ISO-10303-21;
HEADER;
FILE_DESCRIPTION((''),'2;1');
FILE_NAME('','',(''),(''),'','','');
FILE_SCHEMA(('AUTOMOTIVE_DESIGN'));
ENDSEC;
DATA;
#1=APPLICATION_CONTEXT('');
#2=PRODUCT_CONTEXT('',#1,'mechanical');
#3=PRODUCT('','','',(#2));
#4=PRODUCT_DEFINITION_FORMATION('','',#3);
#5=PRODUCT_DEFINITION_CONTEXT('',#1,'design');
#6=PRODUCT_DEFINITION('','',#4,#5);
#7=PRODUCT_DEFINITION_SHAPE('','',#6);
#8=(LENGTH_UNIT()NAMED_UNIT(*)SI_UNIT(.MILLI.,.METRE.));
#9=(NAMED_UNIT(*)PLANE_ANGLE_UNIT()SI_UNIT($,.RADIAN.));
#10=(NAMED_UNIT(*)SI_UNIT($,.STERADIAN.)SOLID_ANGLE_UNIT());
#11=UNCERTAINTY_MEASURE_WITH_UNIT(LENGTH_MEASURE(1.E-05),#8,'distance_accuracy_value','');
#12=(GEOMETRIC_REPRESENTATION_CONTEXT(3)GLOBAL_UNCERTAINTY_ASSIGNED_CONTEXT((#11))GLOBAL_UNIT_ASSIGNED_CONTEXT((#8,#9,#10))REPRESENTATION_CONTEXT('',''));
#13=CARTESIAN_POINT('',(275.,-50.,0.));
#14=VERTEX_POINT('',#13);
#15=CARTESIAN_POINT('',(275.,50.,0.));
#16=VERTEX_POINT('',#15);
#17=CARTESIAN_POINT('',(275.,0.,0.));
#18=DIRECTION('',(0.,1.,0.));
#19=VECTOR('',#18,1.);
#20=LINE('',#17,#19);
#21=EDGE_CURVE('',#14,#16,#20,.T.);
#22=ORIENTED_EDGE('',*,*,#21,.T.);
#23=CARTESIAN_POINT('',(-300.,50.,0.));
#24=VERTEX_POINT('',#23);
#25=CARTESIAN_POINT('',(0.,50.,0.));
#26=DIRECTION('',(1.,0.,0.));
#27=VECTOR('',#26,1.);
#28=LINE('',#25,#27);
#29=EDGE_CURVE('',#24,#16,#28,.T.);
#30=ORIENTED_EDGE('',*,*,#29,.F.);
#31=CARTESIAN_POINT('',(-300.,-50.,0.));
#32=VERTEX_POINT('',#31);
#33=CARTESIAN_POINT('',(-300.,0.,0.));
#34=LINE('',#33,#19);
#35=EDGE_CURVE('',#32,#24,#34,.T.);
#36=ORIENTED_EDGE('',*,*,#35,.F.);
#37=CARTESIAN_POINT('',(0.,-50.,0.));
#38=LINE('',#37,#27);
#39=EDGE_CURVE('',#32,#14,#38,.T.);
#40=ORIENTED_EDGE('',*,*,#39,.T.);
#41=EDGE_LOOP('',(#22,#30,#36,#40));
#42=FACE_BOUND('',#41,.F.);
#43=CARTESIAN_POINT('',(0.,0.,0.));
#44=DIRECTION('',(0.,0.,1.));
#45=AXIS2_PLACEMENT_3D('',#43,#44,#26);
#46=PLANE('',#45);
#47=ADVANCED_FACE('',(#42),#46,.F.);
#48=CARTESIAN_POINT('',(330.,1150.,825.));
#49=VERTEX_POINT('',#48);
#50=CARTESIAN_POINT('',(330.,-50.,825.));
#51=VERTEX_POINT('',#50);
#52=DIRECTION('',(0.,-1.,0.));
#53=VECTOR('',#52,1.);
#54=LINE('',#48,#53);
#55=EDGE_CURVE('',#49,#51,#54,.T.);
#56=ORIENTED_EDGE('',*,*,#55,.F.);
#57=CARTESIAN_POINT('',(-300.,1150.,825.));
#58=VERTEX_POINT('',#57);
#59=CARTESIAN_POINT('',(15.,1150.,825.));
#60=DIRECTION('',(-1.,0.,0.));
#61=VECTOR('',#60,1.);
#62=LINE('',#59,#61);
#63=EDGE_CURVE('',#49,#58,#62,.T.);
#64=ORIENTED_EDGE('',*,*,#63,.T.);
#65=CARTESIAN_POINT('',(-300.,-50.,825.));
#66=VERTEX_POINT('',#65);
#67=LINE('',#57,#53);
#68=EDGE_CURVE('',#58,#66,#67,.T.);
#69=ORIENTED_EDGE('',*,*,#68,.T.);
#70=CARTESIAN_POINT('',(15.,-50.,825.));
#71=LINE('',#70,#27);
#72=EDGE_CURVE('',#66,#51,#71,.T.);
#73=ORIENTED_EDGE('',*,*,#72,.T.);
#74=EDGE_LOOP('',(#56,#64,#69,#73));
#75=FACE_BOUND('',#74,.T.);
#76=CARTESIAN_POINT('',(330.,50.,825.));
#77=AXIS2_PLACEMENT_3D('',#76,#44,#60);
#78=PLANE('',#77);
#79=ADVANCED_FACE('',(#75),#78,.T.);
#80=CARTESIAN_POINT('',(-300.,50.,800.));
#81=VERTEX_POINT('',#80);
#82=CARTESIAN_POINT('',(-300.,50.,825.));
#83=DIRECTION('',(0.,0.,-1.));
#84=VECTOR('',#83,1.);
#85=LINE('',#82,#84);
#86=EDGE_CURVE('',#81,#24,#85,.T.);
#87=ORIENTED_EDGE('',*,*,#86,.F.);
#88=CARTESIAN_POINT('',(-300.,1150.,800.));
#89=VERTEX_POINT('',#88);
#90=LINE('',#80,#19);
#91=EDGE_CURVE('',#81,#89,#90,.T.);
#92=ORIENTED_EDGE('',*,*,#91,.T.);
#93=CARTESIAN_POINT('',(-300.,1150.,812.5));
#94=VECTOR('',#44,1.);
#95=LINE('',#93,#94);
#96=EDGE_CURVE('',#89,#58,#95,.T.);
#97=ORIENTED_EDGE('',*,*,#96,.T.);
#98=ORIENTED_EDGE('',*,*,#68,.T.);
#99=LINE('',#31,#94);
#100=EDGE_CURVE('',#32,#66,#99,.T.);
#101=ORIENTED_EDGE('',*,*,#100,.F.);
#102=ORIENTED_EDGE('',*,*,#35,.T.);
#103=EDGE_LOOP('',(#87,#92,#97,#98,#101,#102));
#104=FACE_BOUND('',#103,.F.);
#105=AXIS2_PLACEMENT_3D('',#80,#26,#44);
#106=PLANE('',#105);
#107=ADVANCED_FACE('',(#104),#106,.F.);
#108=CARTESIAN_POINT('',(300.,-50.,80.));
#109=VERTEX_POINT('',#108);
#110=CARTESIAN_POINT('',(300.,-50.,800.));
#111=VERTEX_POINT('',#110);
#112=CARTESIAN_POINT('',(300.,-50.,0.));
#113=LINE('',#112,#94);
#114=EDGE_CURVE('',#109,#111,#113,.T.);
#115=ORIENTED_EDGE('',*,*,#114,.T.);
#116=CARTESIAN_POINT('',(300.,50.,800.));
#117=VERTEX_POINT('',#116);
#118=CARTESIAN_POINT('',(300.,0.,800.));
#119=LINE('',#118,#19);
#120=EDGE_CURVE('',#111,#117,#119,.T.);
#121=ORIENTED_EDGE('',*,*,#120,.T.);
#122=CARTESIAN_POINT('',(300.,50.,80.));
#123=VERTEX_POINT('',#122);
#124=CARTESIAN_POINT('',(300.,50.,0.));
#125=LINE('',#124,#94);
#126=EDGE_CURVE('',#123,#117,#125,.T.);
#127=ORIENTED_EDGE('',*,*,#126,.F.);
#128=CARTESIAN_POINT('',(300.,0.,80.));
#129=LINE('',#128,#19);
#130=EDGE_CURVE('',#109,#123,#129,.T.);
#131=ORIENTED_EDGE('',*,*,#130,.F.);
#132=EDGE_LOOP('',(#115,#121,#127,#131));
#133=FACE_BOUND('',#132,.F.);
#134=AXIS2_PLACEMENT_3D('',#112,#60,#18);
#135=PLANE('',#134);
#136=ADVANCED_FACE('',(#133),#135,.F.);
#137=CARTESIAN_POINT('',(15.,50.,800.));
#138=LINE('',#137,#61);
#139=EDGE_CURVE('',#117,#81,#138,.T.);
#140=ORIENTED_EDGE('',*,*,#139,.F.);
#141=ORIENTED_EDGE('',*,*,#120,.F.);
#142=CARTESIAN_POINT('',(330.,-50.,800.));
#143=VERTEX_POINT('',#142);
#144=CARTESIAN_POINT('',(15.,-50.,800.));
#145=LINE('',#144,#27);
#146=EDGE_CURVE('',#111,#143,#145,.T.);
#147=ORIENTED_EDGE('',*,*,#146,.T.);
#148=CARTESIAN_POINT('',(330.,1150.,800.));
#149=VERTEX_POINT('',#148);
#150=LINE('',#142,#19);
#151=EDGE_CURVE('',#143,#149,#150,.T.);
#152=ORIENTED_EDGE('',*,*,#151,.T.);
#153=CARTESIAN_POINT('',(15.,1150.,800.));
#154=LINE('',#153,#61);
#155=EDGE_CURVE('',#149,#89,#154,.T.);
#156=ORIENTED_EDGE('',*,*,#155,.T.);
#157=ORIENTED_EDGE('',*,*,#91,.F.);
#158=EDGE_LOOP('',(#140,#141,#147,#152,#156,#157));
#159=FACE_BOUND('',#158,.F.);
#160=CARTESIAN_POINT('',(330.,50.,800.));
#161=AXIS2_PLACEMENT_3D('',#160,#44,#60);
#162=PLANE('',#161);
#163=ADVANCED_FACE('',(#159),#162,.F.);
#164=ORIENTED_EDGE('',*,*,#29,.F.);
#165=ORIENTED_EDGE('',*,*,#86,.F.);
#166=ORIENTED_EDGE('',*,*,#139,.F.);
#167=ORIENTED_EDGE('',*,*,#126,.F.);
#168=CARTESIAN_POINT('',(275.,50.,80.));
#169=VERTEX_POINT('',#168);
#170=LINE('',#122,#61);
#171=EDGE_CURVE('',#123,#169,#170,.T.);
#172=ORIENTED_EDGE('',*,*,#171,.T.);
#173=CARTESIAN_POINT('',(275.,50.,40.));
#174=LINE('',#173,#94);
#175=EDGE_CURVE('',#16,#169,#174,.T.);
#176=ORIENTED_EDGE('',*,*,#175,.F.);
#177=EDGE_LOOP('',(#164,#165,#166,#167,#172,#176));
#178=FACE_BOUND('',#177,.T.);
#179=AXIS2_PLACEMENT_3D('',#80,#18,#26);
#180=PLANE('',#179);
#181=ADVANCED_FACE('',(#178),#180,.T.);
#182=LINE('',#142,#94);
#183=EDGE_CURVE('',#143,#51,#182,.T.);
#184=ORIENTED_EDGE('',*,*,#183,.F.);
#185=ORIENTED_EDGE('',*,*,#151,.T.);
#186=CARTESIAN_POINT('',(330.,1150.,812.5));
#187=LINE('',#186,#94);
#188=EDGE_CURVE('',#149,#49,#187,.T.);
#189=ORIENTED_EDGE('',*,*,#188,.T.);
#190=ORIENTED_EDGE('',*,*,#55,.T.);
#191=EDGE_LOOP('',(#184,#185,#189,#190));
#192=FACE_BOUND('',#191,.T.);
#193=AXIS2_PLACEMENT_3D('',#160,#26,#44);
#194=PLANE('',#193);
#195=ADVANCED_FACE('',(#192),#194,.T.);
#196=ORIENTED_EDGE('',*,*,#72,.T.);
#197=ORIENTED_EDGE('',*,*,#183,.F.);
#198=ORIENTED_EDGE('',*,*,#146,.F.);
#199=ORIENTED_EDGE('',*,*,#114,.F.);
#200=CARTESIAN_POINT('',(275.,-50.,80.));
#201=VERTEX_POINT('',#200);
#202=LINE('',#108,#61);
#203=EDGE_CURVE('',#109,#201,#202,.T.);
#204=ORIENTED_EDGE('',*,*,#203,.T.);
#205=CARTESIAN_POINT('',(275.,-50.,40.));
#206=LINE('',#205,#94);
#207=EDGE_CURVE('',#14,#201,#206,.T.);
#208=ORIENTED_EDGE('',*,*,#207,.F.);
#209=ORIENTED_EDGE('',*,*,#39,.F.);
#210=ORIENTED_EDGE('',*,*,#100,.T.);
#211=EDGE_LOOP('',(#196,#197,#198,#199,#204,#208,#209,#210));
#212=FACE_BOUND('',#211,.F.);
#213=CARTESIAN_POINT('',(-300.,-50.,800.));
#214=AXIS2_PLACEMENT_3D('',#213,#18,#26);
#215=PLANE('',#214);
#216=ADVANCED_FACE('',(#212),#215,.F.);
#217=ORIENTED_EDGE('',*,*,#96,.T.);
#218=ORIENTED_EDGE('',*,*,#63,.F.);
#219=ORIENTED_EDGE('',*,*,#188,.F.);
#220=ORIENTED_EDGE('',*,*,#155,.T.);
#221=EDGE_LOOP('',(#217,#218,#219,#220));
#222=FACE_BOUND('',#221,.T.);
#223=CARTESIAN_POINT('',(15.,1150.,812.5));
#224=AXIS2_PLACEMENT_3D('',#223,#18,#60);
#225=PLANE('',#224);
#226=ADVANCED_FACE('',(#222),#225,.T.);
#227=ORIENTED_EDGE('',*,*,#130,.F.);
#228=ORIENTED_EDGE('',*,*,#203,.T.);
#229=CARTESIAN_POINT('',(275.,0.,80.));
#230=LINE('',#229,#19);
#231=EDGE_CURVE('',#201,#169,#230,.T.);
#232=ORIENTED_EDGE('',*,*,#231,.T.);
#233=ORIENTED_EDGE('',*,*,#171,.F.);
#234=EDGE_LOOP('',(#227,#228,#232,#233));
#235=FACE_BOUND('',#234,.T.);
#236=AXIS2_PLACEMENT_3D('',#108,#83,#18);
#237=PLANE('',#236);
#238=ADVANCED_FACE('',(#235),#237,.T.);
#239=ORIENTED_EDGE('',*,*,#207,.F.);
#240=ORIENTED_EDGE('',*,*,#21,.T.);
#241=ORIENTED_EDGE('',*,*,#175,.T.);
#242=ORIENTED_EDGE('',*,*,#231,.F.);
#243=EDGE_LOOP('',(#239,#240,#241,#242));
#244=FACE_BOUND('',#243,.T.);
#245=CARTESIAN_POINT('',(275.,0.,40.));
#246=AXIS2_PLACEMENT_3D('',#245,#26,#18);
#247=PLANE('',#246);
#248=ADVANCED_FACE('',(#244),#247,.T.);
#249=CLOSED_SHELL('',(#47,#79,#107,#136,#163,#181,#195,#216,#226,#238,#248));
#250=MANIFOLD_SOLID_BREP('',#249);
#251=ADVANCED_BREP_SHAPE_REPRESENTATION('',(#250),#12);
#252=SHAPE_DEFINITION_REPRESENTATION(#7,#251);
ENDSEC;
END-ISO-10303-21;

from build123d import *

# Parameters (mm, degrees)
F0_W     = 600
F0_H     = 100
F1_DEPTH = 800
F2_W     = 100
F2_H     = 80
F3_DEPTH = 25
F4_W     = 630
F4_H     = 100
F5_DEPTH = 25
F6_W     = 630
F6_H     = 25
F7_DEPTH = 1100


with BuildPart() as f1:
    # F0 (on Top) → F1 (new body)
    with BuildSketch(Plane.XY):
        Rectangle(F0_W, F0_H)
    extrude(amount=F1_DEPTH)

    # F2 (on face) → F3 (cut)
    with BuildSketch(Plane.YZ.offset(300)):
        with Locations((0, 40)):
            Rectangle(F2_W, F2_H)
    extrude(amount=-F3_DEPTH, mode=Mode.SUBTRACT)

    # F4 (on face) → F5 (join)
    with BuildSketch(Plane.XY.offset(800)):
        with Locations((15, 0)):
            Rectangle(F4_W, F4_H)
    extrude(amount=F5_DEPTH)

    # F6 (on face) → F7 (join)
    with BuildSketch(Plane(origin=(0, 50, 0), x_dir=(-1, 0, 0), z_dir=(0, 1, 0))):
        with Locations((-15, 812.5)):
            Rectangle(F6_W, F6_H)
    extrude(amount=F7_DEPTH)


solid = f1.part
